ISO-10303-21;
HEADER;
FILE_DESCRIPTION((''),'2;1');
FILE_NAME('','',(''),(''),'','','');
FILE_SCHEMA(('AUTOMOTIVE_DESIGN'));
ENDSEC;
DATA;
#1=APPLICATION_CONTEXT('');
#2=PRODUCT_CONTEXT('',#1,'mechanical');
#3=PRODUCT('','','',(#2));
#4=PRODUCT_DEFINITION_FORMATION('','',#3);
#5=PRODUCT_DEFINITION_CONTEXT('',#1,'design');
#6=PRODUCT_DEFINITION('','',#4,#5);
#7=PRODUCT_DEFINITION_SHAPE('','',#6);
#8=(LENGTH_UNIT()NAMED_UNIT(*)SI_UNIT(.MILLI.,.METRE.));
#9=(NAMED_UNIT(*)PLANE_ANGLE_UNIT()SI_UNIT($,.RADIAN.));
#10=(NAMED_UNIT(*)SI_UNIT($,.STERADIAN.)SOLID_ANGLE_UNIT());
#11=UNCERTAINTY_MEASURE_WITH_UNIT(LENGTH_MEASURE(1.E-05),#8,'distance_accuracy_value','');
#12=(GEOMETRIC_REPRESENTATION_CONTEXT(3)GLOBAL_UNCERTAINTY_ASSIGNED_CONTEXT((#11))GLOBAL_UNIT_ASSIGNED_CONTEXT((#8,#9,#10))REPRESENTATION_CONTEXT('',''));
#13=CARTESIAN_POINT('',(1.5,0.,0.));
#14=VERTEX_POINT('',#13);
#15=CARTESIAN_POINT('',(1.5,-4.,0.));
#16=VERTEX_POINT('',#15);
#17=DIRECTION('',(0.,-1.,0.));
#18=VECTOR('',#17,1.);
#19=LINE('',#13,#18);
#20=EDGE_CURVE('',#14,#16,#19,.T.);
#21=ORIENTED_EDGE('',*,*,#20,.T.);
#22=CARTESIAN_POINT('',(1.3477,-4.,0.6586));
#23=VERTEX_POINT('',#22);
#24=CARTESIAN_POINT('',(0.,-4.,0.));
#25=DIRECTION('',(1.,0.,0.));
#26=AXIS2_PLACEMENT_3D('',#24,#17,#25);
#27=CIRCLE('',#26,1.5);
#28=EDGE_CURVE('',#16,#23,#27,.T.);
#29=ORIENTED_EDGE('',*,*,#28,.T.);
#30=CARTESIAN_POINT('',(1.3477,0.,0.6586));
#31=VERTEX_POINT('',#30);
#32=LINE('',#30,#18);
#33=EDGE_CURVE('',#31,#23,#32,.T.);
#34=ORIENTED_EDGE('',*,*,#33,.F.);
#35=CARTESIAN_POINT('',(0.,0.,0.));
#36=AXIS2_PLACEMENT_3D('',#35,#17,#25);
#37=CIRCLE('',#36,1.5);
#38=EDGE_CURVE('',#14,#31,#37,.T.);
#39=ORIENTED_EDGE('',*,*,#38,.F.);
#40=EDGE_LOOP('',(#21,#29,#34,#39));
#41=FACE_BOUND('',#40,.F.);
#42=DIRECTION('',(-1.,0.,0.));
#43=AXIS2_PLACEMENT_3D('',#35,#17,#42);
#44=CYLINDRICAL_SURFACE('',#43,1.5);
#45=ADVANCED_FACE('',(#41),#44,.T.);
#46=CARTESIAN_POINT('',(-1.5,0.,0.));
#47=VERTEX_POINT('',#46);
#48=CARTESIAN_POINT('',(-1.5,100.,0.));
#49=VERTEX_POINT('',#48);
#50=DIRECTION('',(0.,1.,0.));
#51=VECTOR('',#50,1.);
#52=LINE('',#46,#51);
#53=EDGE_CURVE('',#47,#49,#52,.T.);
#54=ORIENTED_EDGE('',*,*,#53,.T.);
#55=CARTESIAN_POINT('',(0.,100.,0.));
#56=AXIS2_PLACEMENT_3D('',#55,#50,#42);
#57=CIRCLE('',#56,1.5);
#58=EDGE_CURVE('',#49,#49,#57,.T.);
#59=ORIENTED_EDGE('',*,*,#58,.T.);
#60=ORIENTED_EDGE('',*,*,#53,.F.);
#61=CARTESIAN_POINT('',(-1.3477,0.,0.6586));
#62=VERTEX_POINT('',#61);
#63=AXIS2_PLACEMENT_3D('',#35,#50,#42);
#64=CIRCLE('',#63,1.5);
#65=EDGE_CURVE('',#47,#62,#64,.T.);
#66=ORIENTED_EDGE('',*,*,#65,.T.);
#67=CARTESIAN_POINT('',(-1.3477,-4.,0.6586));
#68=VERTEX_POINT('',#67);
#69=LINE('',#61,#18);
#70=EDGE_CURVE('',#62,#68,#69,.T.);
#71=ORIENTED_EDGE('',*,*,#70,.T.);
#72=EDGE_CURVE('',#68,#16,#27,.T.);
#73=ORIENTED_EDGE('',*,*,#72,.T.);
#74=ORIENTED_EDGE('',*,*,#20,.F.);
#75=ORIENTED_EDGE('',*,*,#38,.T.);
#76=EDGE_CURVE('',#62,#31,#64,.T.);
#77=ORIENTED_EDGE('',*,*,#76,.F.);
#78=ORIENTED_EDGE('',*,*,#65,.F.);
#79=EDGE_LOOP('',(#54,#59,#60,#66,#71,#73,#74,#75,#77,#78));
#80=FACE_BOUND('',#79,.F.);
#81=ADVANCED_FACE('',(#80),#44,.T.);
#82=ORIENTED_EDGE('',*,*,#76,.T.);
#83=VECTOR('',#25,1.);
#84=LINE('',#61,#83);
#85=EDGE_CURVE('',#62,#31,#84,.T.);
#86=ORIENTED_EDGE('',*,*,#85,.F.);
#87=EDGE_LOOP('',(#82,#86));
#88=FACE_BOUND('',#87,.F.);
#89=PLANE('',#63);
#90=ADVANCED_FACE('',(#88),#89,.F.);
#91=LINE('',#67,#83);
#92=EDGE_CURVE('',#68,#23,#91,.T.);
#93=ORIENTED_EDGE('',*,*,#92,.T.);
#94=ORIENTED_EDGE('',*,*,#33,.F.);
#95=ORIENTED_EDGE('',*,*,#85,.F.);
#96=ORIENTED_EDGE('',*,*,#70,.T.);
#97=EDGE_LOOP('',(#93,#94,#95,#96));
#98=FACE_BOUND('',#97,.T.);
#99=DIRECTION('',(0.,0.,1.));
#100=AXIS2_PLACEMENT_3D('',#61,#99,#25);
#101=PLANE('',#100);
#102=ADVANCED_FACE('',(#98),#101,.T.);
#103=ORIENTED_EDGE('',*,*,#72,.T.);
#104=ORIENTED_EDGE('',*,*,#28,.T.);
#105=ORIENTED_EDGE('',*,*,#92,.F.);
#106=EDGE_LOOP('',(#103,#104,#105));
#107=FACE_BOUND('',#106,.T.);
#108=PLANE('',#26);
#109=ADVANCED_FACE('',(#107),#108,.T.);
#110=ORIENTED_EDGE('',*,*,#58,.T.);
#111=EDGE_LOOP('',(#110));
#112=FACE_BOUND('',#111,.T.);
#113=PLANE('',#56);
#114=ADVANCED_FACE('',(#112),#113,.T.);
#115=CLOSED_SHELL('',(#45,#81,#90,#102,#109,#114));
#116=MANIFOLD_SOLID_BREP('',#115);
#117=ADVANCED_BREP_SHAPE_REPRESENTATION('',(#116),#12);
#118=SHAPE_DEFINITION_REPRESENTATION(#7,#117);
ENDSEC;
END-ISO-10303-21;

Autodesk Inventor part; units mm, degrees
ref_plane "YZ Plane" through (0, 0, 0) normal (1, 0, 0) x (0, 1, 0)
ref_plane "XZ Plane" through (0, 0, 0) normal (0, 1, 0) x (-1, 0, 0)
ref_plane "XY Plane" through (0, 0, 0) normal (0, 0, 1) x (1, 0, 0)
sketch "Sketch1" plane through (0, 0, 0) normal (0, 1, 0) x (-1, 0, 0)
  circle A0 centre (0, 0) radius 1.5
  dimension "d0" = 3
extrude "Extrusion1" add sketch "Sketch1" along normal blind 100
thread "Thread1" size "M3x0.5" class "6g" standard "ANSI Metric M Profile" full length
sketch "Sketch2" plane through (0, 0, 0) normal (0, -1, 0) x (1, 0, 0)
  circle A0 centre (0, 0) radius 1.5 projected
  line L0 (-1.3477, 0.6586) -> (1.3477, 0.6586)
extrude "Extrusion2" add sketch "Sketch2" along normal blind 4 contours A0 L0 picked at (-0.2882, -0.1605)
properties part number "Lead Screw"
